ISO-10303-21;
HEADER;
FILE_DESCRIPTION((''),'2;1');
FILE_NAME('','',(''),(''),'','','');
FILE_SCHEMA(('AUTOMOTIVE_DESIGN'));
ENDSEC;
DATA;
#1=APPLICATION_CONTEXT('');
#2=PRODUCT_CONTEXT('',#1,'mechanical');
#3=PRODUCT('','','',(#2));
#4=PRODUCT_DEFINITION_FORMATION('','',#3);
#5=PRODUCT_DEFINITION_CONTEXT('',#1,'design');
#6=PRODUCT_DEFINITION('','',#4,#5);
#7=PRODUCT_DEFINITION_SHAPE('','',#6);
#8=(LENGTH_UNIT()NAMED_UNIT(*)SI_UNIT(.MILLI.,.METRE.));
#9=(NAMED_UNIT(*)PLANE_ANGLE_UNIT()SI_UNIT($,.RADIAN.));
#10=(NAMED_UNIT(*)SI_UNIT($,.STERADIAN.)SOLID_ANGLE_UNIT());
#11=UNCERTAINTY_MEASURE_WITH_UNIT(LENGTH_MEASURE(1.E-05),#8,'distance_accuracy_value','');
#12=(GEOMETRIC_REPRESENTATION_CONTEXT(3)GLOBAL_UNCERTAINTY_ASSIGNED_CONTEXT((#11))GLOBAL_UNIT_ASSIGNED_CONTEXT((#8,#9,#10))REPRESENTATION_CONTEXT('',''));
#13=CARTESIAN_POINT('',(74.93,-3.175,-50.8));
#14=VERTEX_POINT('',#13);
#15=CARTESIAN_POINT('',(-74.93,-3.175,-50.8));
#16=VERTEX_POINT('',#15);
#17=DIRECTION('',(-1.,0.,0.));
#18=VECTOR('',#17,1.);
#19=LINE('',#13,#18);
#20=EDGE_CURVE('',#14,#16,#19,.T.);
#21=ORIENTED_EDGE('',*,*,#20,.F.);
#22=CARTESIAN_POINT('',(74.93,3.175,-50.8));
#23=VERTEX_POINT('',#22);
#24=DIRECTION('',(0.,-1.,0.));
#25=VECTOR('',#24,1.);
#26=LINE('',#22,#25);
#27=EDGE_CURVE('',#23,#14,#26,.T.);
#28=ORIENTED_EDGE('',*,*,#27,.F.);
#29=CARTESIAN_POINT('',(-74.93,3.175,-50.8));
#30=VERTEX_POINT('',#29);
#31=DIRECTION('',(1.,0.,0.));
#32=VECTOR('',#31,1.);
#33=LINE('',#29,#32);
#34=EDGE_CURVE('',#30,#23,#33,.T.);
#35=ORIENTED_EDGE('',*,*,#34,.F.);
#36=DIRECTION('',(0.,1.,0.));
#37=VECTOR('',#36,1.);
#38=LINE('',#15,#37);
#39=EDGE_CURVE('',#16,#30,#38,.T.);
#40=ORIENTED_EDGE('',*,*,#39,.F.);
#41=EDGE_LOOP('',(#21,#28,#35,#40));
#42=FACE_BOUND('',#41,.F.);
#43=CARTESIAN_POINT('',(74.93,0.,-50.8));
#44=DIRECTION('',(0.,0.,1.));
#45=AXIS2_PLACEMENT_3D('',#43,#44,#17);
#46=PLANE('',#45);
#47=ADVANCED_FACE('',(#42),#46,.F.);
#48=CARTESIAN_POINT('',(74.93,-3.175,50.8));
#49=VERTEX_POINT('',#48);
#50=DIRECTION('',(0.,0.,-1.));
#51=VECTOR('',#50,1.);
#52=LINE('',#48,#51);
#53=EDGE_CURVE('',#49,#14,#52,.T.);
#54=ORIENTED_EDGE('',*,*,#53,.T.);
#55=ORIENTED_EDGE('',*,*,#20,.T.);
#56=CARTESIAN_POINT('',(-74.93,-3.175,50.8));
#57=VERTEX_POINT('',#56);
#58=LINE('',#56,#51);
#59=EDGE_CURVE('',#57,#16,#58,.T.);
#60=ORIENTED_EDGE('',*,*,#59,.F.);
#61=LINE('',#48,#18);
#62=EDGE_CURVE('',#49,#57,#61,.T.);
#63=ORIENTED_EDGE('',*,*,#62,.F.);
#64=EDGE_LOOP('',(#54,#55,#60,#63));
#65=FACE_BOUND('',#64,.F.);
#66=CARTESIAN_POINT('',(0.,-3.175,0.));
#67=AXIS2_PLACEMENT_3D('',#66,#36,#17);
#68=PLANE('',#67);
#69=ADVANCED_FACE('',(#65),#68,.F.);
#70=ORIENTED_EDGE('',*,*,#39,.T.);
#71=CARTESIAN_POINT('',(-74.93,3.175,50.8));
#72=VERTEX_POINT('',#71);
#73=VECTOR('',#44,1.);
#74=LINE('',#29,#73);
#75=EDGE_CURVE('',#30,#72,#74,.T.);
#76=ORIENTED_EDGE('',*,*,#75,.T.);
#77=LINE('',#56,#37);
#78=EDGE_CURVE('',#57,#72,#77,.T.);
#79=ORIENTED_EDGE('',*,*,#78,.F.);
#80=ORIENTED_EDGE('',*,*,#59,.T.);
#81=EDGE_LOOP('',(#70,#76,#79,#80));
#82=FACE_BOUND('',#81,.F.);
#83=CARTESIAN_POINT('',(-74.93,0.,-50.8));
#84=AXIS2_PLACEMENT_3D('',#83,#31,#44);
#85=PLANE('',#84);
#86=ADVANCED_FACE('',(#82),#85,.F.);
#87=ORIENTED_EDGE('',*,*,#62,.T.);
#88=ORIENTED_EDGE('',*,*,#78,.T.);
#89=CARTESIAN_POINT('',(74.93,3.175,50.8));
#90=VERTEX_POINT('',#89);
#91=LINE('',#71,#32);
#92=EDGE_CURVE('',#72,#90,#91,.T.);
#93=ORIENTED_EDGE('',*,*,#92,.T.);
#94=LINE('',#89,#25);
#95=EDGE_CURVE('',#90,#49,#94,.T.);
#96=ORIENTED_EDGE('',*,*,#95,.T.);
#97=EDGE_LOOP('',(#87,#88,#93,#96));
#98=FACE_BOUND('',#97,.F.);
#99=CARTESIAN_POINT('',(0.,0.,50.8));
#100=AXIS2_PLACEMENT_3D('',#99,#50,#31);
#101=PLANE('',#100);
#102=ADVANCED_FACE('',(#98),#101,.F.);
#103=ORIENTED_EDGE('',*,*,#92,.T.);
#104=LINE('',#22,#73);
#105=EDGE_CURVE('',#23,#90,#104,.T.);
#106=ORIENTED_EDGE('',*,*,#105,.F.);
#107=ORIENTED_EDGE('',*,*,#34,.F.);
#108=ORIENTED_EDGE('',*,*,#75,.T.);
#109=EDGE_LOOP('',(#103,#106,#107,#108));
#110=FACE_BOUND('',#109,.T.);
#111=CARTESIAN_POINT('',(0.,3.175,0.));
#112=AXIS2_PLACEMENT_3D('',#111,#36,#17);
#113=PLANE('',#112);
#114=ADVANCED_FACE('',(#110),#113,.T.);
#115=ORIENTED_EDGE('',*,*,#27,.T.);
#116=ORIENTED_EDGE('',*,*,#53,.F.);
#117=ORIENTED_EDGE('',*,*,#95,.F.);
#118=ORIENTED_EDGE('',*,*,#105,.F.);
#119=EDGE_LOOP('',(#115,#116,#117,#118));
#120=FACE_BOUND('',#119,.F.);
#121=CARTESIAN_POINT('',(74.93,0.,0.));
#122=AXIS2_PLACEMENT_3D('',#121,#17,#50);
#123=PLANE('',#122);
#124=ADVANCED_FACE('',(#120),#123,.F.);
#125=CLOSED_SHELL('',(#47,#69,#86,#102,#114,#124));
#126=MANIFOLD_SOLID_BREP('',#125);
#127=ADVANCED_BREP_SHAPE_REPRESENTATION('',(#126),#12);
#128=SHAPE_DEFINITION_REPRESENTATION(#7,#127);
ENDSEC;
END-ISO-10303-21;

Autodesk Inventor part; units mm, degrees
ref_plane "YZ Plane" through (0, 0, 0) normal (1, 0, 0) x (0, 1, 0)
ref_plane "XZ Plane" through (0, 0, 0) normal (0, 1, 0) x (-1, 0, 0)
ref_plane "XY Plane" through (0, 0, 0) normal (0, 0, 1) x (1, 0, 0)
sketch "Sketch1" plane through (0, 0, 0) normal (0, 1, 0) x (-1, 0, 0)
  line L0 (0, -71.12) -> (0, 71.12) projected
  line L1 (-104.902, 0) -> (104.902, 0) projected
  line L2 (74.93, 50.8) -> (-74.93, 50.8)
  line L3 (-74.93, 50.8) -> (-74.93, -50.8)
  line L4 (-74.93, -50.8) -> (74.93, -50.8)
  line L5 (74.93, -50.8) -> (74.93, 50.8)
  line L6 (74.93, 50.8) -> (-74.93, -50.8) construction
  line L7 (-74.93, 50.8) -> (74.93, -50.8) construction
  point P0 (0, 0)
  dimension "d0" = 149.86
  dimension "d1" = 101.6
extrude "Extrusion1" add sketch "Sketch1" along normal mid plane 6.35
properties part number "MFLSLMFRSR"
